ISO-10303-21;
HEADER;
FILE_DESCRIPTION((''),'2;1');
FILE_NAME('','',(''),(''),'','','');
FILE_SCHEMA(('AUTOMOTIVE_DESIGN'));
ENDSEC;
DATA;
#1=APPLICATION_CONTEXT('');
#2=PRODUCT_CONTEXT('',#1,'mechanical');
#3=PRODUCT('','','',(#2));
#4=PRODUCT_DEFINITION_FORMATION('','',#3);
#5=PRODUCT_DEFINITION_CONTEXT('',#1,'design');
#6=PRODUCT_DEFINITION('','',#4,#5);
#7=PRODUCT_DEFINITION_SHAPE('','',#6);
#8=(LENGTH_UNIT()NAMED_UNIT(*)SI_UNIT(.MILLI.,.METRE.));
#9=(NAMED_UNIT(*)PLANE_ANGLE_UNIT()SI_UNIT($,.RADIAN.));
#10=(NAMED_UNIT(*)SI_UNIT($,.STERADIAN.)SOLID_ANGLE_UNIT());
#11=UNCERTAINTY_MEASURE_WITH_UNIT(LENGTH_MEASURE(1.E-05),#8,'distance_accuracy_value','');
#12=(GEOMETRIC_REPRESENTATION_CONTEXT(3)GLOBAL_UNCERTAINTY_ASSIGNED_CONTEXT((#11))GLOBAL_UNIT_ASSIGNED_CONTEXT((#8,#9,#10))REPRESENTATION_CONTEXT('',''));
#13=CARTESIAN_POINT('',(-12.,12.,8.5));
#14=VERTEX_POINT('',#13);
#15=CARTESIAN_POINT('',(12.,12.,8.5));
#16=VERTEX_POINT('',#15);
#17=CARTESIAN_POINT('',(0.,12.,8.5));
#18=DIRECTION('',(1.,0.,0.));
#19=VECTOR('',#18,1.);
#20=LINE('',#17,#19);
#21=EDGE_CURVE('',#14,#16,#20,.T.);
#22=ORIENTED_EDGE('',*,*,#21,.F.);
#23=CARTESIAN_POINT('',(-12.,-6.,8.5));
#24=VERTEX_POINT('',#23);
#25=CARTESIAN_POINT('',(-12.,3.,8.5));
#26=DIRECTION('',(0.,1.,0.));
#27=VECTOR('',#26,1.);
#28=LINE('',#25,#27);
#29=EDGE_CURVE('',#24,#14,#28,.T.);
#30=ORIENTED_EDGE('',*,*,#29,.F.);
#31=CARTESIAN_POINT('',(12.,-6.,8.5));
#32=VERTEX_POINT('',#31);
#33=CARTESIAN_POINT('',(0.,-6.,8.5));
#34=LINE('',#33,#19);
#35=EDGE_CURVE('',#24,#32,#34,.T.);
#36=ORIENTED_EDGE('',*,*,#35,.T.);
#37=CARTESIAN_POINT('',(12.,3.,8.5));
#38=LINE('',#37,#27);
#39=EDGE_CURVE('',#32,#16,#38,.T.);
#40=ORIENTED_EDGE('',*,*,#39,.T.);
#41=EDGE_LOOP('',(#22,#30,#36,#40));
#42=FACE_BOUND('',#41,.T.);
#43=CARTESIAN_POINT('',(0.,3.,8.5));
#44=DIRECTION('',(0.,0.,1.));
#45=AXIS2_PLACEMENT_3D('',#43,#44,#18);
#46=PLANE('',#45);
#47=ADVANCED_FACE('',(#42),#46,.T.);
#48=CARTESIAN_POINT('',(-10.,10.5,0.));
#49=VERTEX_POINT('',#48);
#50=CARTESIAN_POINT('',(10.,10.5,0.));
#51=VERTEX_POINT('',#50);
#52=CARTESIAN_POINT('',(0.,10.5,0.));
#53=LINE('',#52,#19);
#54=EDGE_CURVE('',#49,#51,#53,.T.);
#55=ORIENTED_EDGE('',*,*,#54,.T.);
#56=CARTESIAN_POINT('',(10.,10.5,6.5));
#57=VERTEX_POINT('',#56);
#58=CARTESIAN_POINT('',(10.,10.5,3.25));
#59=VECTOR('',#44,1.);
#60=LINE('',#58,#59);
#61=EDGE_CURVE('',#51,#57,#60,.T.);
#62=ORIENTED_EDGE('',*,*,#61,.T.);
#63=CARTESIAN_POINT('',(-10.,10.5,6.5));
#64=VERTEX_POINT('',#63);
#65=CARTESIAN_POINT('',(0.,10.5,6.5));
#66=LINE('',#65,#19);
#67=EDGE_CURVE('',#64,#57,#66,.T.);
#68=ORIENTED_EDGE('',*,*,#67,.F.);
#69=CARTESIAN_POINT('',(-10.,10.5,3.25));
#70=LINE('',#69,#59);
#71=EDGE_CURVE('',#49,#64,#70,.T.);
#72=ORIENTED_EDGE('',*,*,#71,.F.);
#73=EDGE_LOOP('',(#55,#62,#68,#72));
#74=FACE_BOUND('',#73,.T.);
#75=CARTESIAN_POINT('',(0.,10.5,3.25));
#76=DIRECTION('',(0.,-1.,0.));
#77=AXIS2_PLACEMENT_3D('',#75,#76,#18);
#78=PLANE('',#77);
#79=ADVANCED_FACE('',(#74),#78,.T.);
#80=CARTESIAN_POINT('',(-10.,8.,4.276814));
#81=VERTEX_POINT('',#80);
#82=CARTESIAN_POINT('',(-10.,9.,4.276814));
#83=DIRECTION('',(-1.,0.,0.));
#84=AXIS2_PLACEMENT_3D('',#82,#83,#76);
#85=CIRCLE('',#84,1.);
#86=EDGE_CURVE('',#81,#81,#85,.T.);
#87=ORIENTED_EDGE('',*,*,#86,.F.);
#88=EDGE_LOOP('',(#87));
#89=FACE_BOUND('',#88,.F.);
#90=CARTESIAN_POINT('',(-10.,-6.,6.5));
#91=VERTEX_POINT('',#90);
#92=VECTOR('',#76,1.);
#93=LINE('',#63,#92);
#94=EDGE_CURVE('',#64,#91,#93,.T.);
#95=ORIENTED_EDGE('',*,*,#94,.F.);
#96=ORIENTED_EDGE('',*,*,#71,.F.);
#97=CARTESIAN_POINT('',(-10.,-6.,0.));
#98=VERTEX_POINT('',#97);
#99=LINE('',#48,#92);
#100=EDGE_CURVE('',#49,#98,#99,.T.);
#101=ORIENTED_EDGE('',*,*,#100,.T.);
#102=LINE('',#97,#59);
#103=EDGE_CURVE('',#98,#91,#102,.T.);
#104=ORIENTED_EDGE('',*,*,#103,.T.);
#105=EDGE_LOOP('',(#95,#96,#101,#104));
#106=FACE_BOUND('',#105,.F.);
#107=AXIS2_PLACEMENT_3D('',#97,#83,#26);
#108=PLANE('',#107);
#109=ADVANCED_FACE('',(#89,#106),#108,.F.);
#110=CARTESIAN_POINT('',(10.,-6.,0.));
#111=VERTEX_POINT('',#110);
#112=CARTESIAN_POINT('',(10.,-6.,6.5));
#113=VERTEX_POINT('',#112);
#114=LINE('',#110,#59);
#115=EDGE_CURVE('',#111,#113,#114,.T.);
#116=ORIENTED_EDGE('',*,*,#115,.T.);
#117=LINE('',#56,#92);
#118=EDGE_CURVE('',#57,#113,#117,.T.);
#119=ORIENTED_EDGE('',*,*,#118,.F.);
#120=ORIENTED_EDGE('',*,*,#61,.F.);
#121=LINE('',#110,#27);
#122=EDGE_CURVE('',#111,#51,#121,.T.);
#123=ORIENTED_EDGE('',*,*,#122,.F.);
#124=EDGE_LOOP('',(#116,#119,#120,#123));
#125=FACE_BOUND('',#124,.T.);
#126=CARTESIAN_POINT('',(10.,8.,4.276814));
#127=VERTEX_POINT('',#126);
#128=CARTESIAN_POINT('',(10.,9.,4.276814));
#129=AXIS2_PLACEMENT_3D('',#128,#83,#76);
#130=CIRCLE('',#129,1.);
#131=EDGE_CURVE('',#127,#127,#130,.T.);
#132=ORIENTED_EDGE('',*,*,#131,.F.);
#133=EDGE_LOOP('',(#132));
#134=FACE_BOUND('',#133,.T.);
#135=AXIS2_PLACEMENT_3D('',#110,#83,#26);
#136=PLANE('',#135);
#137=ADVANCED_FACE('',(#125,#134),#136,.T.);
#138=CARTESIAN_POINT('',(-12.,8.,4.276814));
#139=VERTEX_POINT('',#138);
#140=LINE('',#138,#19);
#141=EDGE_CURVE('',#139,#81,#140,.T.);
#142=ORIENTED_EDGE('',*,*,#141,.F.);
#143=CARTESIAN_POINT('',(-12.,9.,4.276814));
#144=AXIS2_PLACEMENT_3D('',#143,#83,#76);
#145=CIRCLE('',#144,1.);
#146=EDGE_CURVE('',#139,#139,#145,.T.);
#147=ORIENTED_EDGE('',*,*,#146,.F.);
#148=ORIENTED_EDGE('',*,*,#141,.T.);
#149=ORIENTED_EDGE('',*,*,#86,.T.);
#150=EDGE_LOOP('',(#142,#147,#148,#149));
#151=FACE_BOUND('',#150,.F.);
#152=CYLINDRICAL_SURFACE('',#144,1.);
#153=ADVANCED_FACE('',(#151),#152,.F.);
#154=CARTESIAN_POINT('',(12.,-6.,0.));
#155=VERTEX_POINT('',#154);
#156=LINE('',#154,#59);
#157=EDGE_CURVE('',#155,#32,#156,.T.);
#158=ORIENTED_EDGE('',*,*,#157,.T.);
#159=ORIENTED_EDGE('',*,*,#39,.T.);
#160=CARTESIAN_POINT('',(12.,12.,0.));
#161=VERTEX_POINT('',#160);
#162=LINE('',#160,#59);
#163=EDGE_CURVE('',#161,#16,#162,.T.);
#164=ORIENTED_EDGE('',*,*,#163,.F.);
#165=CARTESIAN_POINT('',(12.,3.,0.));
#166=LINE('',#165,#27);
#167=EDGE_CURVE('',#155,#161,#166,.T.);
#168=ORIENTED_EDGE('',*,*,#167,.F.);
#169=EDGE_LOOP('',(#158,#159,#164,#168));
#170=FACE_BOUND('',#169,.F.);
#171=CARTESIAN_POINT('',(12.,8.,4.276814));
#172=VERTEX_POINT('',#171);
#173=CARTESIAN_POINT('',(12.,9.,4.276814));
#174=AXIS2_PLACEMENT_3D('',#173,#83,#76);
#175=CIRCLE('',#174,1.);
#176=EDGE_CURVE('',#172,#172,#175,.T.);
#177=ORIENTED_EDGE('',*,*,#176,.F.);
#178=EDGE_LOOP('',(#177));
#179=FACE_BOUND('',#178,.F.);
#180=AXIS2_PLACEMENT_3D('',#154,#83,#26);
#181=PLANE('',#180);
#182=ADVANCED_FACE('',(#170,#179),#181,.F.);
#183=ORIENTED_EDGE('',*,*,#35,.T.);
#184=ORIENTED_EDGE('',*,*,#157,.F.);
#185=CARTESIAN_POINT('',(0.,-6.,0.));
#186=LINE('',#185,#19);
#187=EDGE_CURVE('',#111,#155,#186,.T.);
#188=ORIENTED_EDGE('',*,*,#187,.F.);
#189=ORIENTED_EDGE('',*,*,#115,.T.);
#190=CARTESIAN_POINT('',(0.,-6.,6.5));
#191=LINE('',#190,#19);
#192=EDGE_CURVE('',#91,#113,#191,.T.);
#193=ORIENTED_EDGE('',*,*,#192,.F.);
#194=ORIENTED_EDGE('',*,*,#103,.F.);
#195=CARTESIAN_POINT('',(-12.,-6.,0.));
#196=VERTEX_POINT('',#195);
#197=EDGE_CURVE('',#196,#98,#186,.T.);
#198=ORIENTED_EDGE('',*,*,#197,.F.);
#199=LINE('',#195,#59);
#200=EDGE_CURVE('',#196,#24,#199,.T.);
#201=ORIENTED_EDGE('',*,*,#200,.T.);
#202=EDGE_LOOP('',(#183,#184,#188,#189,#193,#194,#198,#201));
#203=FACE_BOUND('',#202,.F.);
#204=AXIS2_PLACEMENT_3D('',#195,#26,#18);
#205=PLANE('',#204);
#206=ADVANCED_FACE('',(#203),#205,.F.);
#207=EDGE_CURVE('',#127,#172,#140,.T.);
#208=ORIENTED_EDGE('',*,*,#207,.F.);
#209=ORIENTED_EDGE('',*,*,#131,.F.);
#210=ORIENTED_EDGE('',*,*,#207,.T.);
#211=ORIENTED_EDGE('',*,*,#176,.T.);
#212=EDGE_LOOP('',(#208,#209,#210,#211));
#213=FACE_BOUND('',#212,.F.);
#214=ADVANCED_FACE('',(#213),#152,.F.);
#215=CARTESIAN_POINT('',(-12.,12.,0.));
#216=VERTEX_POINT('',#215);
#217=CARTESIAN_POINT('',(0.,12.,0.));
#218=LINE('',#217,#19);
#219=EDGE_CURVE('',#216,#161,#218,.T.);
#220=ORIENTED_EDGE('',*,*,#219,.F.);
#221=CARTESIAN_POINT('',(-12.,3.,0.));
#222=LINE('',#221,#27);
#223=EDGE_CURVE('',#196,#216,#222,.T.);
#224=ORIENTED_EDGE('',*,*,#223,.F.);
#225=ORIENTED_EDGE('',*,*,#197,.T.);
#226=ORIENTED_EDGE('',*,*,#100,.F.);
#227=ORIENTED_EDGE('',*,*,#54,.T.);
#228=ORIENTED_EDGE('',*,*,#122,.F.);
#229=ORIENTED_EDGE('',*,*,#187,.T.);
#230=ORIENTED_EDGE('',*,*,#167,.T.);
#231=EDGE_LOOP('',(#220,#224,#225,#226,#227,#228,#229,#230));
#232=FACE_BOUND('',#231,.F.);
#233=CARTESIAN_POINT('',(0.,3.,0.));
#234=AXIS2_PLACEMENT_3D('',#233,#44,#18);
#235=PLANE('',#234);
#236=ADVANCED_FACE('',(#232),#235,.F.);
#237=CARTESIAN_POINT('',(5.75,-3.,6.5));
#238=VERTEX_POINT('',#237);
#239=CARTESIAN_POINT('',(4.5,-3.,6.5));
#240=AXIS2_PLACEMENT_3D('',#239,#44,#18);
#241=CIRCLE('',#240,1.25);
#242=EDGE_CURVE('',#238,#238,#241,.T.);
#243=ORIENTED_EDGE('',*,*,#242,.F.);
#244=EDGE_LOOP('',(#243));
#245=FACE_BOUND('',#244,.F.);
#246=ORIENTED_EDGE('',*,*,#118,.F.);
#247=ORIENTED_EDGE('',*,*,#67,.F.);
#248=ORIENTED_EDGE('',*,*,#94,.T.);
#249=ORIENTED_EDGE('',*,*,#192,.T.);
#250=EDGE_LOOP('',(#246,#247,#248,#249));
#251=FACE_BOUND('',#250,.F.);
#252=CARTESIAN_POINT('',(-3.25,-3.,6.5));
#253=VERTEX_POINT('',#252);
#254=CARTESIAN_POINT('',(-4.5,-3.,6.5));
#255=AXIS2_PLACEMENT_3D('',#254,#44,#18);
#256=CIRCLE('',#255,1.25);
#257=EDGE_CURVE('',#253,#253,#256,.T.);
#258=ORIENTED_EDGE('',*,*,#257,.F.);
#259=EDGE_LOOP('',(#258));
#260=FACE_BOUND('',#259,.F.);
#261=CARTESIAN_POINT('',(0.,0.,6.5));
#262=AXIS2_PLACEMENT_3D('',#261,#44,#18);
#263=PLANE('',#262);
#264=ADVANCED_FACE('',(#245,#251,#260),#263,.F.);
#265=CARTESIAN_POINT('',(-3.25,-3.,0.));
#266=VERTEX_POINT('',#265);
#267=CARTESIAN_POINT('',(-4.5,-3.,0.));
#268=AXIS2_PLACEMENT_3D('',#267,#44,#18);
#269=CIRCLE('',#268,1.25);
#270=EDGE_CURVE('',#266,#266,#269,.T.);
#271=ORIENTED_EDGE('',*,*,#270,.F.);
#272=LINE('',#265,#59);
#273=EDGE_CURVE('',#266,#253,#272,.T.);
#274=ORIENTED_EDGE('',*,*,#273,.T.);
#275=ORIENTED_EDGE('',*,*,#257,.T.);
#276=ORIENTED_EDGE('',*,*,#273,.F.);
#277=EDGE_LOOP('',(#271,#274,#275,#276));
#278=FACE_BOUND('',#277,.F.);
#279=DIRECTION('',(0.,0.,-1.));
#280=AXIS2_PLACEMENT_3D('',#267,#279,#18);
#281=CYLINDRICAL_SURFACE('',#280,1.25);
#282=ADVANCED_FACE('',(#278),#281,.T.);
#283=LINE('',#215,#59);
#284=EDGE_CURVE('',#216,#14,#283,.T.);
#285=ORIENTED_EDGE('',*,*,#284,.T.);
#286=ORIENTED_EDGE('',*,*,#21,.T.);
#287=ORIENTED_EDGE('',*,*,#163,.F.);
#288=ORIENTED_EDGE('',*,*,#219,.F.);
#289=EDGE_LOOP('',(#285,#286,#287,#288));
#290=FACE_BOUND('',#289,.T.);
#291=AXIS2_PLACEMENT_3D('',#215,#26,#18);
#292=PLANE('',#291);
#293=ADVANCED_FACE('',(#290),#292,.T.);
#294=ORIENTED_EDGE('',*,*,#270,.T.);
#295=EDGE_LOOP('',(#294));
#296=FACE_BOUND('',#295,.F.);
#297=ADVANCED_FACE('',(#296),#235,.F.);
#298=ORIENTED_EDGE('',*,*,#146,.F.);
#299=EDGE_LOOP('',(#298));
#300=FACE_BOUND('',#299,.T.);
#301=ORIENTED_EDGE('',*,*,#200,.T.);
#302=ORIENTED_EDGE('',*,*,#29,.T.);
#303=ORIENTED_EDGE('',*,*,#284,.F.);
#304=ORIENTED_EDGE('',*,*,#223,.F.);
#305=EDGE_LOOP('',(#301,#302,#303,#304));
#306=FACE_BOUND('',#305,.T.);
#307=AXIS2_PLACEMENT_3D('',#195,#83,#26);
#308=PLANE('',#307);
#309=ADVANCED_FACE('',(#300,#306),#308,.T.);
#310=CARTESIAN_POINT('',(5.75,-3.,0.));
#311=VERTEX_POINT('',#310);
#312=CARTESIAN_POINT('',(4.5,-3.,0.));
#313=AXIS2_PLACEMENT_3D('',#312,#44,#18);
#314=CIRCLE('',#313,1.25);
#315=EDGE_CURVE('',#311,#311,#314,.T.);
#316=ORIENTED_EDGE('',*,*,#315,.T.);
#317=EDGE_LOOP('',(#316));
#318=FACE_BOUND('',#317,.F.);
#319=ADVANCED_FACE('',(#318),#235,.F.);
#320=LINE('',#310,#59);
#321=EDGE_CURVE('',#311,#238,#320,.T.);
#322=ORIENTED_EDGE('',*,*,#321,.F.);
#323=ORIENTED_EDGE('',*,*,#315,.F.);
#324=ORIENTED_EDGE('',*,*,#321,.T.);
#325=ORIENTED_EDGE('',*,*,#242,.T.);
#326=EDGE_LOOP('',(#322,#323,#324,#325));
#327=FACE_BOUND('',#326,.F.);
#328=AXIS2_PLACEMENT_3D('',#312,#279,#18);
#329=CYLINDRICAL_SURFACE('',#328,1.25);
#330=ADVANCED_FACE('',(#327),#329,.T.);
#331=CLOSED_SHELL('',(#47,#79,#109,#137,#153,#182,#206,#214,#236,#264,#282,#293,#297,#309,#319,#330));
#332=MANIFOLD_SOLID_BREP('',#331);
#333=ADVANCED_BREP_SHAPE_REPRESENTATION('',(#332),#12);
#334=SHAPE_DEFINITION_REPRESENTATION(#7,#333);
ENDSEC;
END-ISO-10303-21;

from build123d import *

# Parameters (mm, degrees)
F0_W      = 24
F0_H      = 18
F2_DEPTH  = 8.5
F1_W      = 20
F1_H      = 12
F1_R      = 1.25
F3_DEPTH  = 6.5
F4_R      = 1
F5_DEPTH  = 25
F3_FACE_W = 20
F3_FACE_H = 6.5
F6_DEPTH  = 4.5


with BuildPart() as f2:
    # F0 (on Top) → F2 (new body)
    with BuildSketch(Plane.XY):
        with Locations((0, 3)):
            Rectangle(F0_W, F0_H)
    extrude(amount=F2_DEPTH)

    # F1 (on Top) → F3 (cut)
    with BuildSketch(Plane.XY):
        Rectangle(F1_W, F1_H)
        with Locations((-4.5, -3)):
            Circle(F1_R, mode=Mode.SUBTRACT)
        with Locations((4.5, -3)):
            Circle(F1_R, mode=Mode.SUBTRACT)
    extrude(amount=F3_DEPTH, mode=Mode.SUBTRACT)

    # F4 (on face) → F5 (cut)
    with BuildSketch(Plane(origin=(-12, 0, 0), x_dir=(0, -1, 0), z_dir=(-1, 0, 0))):
        with Locations((-9, 4.276814)):
            Circle(F4_R)
    extrude(amount=-F5_DEPTH, mode=Mode.SUBTRACT)

    # F3_face (on face) → F6 (cut)
    with BuildSketch(Plane(origin=(0, 6, 3.25), x_dir=(1, 0, 0), z_dir=(0, -1, 0))):
        Rectangle(F3_FACE_W, F3_FACE_H)
    extrude(amount=-F6_DEPTH, mode=Mode.SUBTRACT)


solid = f2.part
